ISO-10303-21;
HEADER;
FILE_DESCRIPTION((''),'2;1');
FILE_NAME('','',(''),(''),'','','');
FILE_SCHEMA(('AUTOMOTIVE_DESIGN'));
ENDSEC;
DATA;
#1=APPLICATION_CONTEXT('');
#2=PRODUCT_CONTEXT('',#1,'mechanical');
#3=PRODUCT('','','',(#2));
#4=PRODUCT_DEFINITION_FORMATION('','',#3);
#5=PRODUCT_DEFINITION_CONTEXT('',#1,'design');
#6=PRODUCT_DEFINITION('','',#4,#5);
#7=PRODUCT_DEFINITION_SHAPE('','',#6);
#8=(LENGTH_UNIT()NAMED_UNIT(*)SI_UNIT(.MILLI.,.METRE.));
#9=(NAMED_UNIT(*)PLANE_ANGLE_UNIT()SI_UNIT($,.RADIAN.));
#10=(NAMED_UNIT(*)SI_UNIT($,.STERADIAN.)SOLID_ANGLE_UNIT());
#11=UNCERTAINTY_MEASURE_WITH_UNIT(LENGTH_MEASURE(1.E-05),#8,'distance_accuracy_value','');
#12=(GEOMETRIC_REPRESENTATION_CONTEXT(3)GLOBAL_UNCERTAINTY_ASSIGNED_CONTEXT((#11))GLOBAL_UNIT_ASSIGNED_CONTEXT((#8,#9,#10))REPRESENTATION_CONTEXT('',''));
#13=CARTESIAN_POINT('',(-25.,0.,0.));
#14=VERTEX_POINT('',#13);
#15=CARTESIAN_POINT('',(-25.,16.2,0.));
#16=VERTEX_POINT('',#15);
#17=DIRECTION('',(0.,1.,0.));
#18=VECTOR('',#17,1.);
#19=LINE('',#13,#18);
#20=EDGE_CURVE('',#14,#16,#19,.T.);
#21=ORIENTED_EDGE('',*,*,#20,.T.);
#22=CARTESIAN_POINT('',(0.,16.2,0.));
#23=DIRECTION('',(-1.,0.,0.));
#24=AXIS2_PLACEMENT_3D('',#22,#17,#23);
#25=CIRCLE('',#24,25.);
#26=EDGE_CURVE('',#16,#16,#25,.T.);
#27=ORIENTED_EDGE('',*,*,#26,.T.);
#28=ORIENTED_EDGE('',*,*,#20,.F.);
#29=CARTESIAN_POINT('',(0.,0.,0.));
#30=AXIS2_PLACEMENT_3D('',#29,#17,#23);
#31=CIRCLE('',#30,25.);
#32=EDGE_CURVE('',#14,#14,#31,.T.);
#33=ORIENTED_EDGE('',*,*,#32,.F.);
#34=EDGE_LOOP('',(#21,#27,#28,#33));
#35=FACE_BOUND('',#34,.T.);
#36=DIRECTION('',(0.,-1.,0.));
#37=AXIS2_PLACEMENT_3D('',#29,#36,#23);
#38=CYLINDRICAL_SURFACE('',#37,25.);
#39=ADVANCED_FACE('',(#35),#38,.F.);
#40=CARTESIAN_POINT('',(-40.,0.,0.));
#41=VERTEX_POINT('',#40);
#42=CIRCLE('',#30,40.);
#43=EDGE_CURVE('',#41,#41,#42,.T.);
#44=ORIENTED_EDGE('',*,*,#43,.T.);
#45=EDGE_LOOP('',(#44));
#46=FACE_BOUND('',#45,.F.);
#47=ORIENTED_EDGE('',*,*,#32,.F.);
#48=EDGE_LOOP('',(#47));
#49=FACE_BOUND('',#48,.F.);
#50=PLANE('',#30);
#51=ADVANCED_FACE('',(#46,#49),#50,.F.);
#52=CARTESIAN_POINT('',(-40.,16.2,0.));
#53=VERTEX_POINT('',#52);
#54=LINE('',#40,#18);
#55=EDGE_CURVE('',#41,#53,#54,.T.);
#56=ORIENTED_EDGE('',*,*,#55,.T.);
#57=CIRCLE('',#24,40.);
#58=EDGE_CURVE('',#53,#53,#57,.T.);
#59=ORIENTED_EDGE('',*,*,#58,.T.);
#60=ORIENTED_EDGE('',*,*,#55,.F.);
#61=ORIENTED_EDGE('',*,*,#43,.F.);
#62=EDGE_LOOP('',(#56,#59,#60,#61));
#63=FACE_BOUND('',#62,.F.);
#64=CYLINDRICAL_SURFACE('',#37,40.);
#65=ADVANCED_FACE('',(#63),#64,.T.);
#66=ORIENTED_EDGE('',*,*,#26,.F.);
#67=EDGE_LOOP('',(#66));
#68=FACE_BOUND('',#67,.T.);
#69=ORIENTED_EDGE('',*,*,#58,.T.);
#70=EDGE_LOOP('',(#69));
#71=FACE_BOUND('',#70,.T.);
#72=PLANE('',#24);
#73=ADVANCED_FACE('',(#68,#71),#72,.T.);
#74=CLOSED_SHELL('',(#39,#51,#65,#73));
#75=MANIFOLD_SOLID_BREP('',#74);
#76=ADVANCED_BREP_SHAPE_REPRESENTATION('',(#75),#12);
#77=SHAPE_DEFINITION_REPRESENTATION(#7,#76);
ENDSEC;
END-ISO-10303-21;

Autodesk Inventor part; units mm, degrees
ref_plane "YZ Plane" through (0, 0, 0) normal (1, 0, 0) x (0, 1, 0)
ref_plane "XZ Plane" through (0, 0, 0) normal (0, 1, 0) x (-1, 0, 0)
ref_plane "XY Plane" through (0, 0, 0) normal (0, 0, 1) x (1, 0, 0)
sketch "Sketch1" plane through (0, 0, 0) normal (0, 1, 0) x (-1, 0, 0)
  circle A0 centre (0, 0) radius 25
  circle A1 centre (0, 0) radius 40
  dimension "d0" = 50
  dimension "d1" = 80
extrude "Extrusion1" add sketch "Sketch1" along normal blind 16.2
properties part number "bearing"
